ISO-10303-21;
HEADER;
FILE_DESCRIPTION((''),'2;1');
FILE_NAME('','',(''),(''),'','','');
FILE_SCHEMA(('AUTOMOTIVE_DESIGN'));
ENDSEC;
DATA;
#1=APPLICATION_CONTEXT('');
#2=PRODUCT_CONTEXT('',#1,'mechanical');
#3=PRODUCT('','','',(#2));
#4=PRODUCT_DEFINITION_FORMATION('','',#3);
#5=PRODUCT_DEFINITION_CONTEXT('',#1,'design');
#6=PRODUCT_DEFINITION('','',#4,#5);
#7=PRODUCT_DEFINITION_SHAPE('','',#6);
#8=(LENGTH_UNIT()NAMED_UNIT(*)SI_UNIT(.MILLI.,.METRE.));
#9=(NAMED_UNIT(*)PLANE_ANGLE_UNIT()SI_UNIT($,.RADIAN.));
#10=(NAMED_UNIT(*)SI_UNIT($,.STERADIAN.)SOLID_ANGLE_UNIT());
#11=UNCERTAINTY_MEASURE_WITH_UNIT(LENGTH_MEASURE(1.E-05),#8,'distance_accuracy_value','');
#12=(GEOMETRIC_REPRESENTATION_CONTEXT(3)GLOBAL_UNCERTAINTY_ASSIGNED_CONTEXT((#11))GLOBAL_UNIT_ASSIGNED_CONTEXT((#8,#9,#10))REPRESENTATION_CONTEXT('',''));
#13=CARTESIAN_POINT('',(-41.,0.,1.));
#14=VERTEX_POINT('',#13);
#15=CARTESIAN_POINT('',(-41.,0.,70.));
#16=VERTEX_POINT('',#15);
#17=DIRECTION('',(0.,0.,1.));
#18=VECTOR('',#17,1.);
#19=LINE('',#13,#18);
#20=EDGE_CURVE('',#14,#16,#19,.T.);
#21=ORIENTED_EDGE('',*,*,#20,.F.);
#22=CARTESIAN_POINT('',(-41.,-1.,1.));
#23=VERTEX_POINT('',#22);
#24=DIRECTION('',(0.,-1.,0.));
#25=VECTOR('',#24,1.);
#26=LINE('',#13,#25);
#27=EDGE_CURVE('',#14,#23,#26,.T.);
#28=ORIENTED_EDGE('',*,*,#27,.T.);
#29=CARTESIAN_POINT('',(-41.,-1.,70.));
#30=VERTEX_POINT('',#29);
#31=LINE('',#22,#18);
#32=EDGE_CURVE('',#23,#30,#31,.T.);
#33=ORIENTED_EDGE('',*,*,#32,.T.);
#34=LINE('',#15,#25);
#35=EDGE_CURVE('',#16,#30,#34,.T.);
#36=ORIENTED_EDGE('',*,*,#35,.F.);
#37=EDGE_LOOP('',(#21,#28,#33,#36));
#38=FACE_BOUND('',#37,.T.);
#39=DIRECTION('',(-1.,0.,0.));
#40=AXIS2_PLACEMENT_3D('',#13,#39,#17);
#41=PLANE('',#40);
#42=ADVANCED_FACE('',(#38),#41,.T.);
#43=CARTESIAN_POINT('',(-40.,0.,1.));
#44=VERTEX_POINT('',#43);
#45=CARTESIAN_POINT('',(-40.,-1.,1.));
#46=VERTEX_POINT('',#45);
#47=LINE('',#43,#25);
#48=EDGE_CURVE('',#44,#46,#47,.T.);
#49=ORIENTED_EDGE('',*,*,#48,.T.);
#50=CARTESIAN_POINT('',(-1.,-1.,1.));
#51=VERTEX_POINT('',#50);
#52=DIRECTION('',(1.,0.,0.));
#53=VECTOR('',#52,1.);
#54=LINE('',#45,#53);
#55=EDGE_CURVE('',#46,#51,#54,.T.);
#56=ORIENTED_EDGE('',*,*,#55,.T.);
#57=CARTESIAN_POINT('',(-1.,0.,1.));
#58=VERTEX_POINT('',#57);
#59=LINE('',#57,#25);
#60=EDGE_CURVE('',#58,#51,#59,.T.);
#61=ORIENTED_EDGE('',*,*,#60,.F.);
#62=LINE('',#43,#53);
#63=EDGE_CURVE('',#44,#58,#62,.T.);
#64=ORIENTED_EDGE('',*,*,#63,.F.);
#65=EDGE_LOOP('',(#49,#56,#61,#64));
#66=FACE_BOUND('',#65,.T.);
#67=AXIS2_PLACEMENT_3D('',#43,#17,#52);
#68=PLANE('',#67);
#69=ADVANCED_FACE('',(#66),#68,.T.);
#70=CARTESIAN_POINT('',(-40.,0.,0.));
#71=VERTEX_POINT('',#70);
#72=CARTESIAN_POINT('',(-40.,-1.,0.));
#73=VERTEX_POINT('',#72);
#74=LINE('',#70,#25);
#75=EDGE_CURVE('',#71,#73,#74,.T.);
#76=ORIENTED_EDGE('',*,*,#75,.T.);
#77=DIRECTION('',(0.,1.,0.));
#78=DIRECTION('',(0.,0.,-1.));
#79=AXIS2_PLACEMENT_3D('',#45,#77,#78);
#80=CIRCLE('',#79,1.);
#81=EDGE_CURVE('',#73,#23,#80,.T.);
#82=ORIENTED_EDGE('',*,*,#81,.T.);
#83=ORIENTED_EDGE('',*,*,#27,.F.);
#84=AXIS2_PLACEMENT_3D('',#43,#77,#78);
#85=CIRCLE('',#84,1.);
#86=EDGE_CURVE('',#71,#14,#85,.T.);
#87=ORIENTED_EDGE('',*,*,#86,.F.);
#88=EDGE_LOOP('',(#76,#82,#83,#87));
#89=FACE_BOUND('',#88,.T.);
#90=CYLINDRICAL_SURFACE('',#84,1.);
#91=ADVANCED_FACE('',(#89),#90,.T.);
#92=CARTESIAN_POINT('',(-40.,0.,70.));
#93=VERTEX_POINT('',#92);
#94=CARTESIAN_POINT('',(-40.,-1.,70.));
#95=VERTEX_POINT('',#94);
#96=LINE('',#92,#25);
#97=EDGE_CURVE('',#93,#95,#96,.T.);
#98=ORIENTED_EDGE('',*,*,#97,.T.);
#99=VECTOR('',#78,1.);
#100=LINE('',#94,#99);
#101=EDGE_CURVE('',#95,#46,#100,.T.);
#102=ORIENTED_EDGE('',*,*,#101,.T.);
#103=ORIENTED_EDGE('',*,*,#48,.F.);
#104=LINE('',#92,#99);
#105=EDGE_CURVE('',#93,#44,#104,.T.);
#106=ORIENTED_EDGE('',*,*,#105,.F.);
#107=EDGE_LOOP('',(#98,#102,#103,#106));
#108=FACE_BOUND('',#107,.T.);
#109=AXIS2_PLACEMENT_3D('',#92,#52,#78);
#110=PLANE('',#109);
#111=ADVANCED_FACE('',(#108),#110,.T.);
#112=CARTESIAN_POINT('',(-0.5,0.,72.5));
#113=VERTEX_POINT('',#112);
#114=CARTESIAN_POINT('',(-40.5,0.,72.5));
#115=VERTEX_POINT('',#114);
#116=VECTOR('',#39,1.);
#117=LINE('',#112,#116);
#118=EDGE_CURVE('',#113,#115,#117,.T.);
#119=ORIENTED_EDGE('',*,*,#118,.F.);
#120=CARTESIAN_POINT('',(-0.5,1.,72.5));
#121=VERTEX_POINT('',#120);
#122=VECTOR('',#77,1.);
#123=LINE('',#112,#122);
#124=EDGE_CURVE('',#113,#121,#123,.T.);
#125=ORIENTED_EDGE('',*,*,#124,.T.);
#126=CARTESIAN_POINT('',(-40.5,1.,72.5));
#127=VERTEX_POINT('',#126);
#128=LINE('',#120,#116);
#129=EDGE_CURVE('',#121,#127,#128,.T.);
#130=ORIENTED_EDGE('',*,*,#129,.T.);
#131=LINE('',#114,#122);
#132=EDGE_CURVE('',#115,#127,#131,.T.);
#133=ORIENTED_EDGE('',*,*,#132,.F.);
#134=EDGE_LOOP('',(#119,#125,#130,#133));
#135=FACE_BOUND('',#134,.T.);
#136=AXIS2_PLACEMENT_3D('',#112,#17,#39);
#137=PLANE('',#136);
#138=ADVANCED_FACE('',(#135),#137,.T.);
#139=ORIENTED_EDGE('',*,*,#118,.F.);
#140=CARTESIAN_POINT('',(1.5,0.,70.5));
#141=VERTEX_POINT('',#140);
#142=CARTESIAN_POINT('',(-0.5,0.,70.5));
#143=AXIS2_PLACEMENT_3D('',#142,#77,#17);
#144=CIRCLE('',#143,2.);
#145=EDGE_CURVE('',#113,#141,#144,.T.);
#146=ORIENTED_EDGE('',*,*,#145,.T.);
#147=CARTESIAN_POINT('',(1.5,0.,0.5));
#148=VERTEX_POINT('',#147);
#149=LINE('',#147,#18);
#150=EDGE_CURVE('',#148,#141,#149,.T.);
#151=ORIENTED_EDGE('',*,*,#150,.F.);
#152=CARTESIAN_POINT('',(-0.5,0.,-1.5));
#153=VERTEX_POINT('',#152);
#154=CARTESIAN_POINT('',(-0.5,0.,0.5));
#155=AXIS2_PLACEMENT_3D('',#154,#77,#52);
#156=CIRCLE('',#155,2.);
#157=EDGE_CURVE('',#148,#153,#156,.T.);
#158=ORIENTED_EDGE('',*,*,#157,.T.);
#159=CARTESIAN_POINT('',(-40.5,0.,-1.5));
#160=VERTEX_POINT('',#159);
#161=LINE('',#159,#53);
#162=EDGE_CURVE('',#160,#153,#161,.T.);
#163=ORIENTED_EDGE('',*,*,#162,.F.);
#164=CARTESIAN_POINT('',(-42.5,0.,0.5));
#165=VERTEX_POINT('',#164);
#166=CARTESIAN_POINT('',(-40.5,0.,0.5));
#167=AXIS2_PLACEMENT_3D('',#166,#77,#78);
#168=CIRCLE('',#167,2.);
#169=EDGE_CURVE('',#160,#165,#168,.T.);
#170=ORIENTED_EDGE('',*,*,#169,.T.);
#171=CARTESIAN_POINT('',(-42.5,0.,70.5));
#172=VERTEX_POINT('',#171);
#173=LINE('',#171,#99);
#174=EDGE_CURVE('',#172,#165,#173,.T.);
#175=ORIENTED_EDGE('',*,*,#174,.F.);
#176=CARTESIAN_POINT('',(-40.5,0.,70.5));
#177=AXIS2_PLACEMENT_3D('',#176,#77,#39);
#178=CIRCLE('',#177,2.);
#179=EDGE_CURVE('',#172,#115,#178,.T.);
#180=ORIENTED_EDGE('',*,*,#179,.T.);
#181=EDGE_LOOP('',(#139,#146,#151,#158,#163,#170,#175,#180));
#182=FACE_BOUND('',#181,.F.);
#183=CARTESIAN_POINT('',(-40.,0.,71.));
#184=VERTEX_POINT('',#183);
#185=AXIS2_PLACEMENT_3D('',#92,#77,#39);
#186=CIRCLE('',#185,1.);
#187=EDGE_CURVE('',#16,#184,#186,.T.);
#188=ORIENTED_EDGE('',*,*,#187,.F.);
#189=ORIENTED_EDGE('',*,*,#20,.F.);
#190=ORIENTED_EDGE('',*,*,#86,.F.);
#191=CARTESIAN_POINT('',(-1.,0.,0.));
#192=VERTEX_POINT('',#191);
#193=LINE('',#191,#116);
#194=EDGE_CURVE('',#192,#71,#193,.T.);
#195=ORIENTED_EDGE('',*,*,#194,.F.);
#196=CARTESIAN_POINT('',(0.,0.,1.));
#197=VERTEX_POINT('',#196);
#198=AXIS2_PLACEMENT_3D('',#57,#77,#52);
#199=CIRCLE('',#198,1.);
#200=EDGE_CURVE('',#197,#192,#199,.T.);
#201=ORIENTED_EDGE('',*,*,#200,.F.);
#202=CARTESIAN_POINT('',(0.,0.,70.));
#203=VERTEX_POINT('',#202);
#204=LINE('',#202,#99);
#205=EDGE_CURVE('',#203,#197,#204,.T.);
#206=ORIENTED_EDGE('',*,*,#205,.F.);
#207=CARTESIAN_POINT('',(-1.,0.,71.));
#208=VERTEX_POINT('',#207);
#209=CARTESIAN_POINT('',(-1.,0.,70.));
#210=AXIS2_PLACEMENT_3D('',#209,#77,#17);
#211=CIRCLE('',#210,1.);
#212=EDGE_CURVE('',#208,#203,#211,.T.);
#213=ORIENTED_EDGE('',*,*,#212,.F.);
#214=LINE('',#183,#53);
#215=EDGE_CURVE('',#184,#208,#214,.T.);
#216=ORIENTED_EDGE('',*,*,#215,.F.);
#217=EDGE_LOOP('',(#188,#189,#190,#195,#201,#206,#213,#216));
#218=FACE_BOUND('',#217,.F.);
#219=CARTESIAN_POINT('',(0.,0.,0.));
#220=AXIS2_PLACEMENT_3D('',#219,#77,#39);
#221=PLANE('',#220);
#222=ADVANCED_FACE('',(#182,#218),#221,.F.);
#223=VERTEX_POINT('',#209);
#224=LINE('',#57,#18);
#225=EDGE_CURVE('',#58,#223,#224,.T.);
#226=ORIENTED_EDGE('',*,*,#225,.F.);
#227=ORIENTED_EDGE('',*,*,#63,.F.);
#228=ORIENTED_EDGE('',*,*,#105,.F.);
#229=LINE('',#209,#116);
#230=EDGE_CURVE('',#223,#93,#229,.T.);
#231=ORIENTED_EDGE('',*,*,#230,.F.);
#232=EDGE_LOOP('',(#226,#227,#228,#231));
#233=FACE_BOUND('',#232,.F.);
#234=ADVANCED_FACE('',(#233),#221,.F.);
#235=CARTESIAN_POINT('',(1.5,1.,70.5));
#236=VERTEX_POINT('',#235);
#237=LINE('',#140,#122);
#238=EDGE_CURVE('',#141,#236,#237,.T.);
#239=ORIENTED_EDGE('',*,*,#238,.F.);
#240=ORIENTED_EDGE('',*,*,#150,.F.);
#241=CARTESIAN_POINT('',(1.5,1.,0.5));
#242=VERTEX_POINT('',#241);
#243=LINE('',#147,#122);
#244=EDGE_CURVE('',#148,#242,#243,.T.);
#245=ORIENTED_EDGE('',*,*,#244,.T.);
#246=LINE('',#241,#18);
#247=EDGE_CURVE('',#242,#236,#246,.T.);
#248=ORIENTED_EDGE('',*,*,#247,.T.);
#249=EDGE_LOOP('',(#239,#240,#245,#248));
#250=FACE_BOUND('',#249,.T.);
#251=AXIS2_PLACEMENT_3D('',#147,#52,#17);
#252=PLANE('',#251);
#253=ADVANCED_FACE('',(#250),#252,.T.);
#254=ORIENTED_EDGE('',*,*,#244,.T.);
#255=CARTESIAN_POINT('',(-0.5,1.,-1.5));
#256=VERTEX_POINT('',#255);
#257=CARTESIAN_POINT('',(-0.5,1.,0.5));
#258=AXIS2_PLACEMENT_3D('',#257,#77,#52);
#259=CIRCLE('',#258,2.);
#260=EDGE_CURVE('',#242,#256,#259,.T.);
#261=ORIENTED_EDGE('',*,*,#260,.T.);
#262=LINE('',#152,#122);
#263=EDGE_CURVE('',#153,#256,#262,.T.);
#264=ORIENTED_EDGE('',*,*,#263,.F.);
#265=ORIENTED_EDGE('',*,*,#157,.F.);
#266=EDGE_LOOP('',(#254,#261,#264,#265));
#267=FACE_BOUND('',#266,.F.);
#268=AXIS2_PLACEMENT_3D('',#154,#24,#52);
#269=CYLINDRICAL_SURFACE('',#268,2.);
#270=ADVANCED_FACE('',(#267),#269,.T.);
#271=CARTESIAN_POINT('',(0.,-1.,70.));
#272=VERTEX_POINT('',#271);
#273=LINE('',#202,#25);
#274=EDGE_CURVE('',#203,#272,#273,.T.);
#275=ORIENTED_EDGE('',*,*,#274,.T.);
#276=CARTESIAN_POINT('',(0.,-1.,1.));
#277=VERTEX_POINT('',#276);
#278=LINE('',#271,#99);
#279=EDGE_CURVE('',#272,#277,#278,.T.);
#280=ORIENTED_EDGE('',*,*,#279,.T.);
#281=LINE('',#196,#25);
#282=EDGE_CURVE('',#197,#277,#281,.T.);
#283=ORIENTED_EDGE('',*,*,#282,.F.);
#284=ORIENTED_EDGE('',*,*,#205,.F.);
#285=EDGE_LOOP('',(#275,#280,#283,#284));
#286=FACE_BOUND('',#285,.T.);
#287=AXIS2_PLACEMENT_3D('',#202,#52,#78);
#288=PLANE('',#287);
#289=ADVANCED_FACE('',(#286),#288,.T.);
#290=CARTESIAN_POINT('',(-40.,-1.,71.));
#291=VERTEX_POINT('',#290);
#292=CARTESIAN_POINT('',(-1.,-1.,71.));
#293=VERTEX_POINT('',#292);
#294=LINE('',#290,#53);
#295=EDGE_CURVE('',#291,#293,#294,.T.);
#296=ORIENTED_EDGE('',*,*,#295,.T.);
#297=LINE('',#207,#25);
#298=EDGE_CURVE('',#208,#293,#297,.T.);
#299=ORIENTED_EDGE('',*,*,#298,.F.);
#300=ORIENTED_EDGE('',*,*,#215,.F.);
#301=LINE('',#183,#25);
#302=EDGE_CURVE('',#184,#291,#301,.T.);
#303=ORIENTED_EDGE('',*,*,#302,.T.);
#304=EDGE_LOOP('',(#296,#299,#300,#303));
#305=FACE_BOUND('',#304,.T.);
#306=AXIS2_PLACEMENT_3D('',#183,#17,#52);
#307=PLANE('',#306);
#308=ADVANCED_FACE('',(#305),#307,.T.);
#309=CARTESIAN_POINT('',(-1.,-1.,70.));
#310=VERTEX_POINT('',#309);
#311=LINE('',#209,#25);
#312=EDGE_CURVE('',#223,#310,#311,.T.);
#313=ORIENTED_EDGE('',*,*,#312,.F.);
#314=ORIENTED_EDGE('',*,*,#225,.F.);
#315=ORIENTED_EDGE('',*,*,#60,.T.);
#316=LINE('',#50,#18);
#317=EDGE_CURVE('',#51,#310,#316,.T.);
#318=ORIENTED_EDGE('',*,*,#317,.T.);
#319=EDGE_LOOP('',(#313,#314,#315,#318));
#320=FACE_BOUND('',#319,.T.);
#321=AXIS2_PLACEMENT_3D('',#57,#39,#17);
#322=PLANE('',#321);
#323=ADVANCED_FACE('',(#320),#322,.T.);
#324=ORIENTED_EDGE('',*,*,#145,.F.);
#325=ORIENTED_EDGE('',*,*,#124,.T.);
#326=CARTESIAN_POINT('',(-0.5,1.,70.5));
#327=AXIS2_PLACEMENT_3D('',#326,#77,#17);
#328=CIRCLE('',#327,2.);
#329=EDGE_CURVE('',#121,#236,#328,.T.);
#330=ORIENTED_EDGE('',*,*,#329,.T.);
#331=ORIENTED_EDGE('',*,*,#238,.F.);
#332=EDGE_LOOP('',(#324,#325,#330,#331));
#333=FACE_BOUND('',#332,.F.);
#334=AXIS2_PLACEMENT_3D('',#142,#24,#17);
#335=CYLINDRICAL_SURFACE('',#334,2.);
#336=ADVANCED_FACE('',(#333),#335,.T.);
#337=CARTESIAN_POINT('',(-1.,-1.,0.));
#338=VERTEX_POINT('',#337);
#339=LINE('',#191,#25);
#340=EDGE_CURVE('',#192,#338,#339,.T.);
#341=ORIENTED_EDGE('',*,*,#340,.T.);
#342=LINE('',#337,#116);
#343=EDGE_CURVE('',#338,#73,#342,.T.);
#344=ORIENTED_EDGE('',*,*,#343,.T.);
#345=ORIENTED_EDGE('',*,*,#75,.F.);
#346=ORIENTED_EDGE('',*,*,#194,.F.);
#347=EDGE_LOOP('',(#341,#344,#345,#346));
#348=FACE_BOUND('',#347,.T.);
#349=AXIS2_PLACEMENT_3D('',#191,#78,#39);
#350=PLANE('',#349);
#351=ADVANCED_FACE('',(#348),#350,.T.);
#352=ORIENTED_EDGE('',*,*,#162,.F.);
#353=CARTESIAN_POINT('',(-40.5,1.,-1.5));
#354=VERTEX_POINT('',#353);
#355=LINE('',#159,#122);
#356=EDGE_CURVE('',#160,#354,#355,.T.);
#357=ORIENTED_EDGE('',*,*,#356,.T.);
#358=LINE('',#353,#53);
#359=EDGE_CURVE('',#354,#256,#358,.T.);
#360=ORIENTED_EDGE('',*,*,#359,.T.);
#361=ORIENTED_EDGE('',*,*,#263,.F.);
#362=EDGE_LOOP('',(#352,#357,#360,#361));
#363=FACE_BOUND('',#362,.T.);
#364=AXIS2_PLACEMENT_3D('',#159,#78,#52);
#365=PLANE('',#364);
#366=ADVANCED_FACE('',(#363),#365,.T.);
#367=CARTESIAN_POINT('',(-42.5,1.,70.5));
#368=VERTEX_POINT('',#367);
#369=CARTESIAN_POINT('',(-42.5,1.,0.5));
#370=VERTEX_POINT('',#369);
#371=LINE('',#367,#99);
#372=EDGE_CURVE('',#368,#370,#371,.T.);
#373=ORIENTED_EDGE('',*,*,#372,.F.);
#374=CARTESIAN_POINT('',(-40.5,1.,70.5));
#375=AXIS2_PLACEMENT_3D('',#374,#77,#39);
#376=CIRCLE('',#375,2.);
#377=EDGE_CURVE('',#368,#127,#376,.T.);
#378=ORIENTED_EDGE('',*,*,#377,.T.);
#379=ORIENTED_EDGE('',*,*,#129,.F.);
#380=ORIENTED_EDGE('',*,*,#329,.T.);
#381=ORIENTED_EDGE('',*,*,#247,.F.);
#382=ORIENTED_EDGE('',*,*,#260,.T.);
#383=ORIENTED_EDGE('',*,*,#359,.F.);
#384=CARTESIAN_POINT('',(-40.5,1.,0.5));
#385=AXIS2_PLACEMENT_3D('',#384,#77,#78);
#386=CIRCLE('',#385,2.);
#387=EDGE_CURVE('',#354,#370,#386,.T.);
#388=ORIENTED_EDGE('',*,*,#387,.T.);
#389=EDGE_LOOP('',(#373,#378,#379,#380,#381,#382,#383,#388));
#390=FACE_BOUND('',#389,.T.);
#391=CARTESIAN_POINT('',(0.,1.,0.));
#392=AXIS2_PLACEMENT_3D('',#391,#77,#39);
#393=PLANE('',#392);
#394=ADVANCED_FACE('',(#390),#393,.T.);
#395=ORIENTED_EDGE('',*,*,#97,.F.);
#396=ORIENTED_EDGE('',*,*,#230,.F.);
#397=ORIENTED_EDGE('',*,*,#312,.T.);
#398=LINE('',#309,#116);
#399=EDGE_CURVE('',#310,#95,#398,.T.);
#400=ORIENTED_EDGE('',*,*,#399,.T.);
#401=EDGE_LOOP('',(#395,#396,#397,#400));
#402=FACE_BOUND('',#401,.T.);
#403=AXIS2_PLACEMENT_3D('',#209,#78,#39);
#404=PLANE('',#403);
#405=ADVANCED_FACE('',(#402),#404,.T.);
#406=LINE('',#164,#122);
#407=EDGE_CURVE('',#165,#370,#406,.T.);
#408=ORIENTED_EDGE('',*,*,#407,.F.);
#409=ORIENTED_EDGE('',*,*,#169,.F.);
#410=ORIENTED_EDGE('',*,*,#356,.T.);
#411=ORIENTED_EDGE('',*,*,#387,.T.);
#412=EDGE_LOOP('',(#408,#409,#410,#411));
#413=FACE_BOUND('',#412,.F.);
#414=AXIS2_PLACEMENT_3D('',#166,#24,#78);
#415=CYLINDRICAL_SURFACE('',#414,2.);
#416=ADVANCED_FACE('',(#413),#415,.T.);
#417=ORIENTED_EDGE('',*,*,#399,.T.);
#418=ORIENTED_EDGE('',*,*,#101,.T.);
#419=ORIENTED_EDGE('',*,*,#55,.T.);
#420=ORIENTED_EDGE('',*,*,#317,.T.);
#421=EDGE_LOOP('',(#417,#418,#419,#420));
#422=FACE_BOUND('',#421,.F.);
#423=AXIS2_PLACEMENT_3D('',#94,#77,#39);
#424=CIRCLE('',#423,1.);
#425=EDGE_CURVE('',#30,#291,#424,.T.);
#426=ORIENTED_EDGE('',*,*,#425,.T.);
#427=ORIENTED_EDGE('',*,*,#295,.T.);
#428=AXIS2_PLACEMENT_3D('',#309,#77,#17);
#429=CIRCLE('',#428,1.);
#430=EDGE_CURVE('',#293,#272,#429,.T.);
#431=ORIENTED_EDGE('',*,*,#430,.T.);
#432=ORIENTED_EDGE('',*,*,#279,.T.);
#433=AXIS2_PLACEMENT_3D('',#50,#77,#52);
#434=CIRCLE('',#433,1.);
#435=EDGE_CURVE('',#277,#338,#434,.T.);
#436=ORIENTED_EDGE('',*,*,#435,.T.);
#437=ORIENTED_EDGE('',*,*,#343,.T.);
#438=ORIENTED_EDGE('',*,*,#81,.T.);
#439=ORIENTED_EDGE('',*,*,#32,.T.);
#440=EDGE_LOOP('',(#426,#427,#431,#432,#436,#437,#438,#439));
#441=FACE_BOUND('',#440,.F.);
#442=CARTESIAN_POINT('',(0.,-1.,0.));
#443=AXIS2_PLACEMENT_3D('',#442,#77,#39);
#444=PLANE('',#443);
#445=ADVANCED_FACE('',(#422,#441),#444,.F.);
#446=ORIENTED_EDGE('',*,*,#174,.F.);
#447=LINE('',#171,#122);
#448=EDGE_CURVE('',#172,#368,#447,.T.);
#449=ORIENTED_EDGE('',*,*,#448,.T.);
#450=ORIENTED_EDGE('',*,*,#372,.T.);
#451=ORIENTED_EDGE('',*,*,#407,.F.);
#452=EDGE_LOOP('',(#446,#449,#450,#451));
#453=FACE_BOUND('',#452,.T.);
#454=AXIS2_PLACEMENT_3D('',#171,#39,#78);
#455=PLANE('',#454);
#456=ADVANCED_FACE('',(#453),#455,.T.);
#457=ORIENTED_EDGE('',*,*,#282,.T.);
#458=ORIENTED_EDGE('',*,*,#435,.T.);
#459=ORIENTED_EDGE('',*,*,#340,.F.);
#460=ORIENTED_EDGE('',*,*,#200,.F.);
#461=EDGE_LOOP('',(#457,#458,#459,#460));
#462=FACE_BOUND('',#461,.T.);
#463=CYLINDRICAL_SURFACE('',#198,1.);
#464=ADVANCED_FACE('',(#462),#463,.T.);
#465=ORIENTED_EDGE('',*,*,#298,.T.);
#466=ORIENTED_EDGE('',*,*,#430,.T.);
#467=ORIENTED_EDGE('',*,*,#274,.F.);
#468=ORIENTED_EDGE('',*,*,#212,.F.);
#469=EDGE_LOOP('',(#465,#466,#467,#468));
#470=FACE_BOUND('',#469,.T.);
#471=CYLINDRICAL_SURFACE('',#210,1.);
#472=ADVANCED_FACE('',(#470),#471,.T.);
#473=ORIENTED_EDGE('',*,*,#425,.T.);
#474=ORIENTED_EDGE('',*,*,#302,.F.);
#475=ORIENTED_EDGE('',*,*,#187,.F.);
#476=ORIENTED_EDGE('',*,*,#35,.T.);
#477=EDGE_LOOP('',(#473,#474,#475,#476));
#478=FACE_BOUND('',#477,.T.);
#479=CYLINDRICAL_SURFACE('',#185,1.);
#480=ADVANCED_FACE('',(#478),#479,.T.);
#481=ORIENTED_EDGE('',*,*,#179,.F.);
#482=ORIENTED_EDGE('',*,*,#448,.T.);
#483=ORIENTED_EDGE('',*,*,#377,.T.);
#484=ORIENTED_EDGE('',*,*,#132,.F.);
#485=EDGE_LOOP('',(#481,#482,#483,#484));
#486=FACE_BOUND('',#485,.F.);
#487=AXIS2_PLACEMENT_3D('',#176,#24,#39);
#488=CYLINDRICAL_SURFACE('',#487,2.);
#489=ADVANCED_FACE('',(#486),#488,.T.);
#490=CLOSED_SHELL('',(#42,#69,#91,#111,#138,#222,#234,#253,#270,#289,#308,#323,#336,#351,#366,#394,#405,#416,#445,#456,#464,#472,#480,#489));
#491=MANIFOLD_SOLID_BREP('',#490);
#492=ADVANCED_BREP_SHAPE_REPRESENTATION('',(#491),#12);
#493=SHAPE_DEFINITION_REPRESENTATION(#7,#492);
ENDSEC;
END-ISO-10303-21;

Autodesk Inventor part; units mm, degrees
ref_plane "YZ Plane" through (0, 0, 0) normal (1, 0, 0) x (0, 1, 0)
ref_plane "XZ Plane" through (0, 0, 0) normal (0, 1, 0) x (-1, 0, 0)
ref_plane "XY Plane" through (0, 0, 0) normal (0, 0, 1) x (1, 0, 0)
sketch "Skizze1" plane through (0, 0, 0) normal (0, 1, 0) x (-1, 0, 0)
  line L0 (1, 0) -> (40, 0)
  line L1 (41, 1) -> (41, 70)
  line L2 (40, 71) -> (1, 71)
  line L3 (0, 70) -> (0, 1)
  line L4 (42.5, 70.5) -> (42.5, 0.5)
  line L5 (40.5, -1.5) -> (0.5, -1.5)
  line L6 (-1.5, 0.5) -> (-1.5, 70.5)
  line L7 (0.5, 72.5) -> (40.5, 72.5)
  arc A0 (42.5, 70.5) -> (40.5, 72.5) centre (40.5, 70.5) ccw
  arc A1 (40.5, -1.5) -> (42.5, 0.5) centre (40.5, 0.5) ccw
  arc A2 (-1.5, 0.5) -> (0.5, -1.5) centre (0.5, 0.5) ccw
  arc A3 (0.5, 72.5) -> (-1.5, 70.5) centre (0.5, 70.5) ccw
  arc A4 (41, 70) -> (40, 71) centre (40, 70) ccw
  arc A5 (40, 0) -> (41, 1) centre (40, 1) ccw
  arc A6 (0, 1) -> (1, 0) centre (1, 1) ccw
  arc A7 (1, 71) -> (0, 70) centre (1, 70) ccw
  line L8 (1, 1) -> (1, 70)
  line L9 (1, 70) -> (40, 70)
  line L10 (40, 70) -> (40, 1)
  line L11 (40, 1) -> (1, 1)
  point P0 (0, 0)
  point P1 (41, 71)
  point P2 (41, 0)
  point P3 (0, 71)
  dimension "d0" = 41
  dimension "d1" = 71
  dimension "d2" = 1.5
  dimension "d3" = 2
  dimension "d4" = 1
  dimension "d5" = 1
  dimension "d6" = 1
  dimension "d9" = 1
extrude "Extrusion1" add sketch "Skizze1" along normal blind 1 contours A6 L3 A7 L2 A4 L1 A5 L0 | L4 A1 L5 A2 L6 A3 L7 A0 | L8 L9 L10 L11
extrude "Extrusion2" add sketch "Skizze1" against normal blind 1 contours A6 L3 A7 L2 A4 L1 A5 L0
properties part number "boden"
